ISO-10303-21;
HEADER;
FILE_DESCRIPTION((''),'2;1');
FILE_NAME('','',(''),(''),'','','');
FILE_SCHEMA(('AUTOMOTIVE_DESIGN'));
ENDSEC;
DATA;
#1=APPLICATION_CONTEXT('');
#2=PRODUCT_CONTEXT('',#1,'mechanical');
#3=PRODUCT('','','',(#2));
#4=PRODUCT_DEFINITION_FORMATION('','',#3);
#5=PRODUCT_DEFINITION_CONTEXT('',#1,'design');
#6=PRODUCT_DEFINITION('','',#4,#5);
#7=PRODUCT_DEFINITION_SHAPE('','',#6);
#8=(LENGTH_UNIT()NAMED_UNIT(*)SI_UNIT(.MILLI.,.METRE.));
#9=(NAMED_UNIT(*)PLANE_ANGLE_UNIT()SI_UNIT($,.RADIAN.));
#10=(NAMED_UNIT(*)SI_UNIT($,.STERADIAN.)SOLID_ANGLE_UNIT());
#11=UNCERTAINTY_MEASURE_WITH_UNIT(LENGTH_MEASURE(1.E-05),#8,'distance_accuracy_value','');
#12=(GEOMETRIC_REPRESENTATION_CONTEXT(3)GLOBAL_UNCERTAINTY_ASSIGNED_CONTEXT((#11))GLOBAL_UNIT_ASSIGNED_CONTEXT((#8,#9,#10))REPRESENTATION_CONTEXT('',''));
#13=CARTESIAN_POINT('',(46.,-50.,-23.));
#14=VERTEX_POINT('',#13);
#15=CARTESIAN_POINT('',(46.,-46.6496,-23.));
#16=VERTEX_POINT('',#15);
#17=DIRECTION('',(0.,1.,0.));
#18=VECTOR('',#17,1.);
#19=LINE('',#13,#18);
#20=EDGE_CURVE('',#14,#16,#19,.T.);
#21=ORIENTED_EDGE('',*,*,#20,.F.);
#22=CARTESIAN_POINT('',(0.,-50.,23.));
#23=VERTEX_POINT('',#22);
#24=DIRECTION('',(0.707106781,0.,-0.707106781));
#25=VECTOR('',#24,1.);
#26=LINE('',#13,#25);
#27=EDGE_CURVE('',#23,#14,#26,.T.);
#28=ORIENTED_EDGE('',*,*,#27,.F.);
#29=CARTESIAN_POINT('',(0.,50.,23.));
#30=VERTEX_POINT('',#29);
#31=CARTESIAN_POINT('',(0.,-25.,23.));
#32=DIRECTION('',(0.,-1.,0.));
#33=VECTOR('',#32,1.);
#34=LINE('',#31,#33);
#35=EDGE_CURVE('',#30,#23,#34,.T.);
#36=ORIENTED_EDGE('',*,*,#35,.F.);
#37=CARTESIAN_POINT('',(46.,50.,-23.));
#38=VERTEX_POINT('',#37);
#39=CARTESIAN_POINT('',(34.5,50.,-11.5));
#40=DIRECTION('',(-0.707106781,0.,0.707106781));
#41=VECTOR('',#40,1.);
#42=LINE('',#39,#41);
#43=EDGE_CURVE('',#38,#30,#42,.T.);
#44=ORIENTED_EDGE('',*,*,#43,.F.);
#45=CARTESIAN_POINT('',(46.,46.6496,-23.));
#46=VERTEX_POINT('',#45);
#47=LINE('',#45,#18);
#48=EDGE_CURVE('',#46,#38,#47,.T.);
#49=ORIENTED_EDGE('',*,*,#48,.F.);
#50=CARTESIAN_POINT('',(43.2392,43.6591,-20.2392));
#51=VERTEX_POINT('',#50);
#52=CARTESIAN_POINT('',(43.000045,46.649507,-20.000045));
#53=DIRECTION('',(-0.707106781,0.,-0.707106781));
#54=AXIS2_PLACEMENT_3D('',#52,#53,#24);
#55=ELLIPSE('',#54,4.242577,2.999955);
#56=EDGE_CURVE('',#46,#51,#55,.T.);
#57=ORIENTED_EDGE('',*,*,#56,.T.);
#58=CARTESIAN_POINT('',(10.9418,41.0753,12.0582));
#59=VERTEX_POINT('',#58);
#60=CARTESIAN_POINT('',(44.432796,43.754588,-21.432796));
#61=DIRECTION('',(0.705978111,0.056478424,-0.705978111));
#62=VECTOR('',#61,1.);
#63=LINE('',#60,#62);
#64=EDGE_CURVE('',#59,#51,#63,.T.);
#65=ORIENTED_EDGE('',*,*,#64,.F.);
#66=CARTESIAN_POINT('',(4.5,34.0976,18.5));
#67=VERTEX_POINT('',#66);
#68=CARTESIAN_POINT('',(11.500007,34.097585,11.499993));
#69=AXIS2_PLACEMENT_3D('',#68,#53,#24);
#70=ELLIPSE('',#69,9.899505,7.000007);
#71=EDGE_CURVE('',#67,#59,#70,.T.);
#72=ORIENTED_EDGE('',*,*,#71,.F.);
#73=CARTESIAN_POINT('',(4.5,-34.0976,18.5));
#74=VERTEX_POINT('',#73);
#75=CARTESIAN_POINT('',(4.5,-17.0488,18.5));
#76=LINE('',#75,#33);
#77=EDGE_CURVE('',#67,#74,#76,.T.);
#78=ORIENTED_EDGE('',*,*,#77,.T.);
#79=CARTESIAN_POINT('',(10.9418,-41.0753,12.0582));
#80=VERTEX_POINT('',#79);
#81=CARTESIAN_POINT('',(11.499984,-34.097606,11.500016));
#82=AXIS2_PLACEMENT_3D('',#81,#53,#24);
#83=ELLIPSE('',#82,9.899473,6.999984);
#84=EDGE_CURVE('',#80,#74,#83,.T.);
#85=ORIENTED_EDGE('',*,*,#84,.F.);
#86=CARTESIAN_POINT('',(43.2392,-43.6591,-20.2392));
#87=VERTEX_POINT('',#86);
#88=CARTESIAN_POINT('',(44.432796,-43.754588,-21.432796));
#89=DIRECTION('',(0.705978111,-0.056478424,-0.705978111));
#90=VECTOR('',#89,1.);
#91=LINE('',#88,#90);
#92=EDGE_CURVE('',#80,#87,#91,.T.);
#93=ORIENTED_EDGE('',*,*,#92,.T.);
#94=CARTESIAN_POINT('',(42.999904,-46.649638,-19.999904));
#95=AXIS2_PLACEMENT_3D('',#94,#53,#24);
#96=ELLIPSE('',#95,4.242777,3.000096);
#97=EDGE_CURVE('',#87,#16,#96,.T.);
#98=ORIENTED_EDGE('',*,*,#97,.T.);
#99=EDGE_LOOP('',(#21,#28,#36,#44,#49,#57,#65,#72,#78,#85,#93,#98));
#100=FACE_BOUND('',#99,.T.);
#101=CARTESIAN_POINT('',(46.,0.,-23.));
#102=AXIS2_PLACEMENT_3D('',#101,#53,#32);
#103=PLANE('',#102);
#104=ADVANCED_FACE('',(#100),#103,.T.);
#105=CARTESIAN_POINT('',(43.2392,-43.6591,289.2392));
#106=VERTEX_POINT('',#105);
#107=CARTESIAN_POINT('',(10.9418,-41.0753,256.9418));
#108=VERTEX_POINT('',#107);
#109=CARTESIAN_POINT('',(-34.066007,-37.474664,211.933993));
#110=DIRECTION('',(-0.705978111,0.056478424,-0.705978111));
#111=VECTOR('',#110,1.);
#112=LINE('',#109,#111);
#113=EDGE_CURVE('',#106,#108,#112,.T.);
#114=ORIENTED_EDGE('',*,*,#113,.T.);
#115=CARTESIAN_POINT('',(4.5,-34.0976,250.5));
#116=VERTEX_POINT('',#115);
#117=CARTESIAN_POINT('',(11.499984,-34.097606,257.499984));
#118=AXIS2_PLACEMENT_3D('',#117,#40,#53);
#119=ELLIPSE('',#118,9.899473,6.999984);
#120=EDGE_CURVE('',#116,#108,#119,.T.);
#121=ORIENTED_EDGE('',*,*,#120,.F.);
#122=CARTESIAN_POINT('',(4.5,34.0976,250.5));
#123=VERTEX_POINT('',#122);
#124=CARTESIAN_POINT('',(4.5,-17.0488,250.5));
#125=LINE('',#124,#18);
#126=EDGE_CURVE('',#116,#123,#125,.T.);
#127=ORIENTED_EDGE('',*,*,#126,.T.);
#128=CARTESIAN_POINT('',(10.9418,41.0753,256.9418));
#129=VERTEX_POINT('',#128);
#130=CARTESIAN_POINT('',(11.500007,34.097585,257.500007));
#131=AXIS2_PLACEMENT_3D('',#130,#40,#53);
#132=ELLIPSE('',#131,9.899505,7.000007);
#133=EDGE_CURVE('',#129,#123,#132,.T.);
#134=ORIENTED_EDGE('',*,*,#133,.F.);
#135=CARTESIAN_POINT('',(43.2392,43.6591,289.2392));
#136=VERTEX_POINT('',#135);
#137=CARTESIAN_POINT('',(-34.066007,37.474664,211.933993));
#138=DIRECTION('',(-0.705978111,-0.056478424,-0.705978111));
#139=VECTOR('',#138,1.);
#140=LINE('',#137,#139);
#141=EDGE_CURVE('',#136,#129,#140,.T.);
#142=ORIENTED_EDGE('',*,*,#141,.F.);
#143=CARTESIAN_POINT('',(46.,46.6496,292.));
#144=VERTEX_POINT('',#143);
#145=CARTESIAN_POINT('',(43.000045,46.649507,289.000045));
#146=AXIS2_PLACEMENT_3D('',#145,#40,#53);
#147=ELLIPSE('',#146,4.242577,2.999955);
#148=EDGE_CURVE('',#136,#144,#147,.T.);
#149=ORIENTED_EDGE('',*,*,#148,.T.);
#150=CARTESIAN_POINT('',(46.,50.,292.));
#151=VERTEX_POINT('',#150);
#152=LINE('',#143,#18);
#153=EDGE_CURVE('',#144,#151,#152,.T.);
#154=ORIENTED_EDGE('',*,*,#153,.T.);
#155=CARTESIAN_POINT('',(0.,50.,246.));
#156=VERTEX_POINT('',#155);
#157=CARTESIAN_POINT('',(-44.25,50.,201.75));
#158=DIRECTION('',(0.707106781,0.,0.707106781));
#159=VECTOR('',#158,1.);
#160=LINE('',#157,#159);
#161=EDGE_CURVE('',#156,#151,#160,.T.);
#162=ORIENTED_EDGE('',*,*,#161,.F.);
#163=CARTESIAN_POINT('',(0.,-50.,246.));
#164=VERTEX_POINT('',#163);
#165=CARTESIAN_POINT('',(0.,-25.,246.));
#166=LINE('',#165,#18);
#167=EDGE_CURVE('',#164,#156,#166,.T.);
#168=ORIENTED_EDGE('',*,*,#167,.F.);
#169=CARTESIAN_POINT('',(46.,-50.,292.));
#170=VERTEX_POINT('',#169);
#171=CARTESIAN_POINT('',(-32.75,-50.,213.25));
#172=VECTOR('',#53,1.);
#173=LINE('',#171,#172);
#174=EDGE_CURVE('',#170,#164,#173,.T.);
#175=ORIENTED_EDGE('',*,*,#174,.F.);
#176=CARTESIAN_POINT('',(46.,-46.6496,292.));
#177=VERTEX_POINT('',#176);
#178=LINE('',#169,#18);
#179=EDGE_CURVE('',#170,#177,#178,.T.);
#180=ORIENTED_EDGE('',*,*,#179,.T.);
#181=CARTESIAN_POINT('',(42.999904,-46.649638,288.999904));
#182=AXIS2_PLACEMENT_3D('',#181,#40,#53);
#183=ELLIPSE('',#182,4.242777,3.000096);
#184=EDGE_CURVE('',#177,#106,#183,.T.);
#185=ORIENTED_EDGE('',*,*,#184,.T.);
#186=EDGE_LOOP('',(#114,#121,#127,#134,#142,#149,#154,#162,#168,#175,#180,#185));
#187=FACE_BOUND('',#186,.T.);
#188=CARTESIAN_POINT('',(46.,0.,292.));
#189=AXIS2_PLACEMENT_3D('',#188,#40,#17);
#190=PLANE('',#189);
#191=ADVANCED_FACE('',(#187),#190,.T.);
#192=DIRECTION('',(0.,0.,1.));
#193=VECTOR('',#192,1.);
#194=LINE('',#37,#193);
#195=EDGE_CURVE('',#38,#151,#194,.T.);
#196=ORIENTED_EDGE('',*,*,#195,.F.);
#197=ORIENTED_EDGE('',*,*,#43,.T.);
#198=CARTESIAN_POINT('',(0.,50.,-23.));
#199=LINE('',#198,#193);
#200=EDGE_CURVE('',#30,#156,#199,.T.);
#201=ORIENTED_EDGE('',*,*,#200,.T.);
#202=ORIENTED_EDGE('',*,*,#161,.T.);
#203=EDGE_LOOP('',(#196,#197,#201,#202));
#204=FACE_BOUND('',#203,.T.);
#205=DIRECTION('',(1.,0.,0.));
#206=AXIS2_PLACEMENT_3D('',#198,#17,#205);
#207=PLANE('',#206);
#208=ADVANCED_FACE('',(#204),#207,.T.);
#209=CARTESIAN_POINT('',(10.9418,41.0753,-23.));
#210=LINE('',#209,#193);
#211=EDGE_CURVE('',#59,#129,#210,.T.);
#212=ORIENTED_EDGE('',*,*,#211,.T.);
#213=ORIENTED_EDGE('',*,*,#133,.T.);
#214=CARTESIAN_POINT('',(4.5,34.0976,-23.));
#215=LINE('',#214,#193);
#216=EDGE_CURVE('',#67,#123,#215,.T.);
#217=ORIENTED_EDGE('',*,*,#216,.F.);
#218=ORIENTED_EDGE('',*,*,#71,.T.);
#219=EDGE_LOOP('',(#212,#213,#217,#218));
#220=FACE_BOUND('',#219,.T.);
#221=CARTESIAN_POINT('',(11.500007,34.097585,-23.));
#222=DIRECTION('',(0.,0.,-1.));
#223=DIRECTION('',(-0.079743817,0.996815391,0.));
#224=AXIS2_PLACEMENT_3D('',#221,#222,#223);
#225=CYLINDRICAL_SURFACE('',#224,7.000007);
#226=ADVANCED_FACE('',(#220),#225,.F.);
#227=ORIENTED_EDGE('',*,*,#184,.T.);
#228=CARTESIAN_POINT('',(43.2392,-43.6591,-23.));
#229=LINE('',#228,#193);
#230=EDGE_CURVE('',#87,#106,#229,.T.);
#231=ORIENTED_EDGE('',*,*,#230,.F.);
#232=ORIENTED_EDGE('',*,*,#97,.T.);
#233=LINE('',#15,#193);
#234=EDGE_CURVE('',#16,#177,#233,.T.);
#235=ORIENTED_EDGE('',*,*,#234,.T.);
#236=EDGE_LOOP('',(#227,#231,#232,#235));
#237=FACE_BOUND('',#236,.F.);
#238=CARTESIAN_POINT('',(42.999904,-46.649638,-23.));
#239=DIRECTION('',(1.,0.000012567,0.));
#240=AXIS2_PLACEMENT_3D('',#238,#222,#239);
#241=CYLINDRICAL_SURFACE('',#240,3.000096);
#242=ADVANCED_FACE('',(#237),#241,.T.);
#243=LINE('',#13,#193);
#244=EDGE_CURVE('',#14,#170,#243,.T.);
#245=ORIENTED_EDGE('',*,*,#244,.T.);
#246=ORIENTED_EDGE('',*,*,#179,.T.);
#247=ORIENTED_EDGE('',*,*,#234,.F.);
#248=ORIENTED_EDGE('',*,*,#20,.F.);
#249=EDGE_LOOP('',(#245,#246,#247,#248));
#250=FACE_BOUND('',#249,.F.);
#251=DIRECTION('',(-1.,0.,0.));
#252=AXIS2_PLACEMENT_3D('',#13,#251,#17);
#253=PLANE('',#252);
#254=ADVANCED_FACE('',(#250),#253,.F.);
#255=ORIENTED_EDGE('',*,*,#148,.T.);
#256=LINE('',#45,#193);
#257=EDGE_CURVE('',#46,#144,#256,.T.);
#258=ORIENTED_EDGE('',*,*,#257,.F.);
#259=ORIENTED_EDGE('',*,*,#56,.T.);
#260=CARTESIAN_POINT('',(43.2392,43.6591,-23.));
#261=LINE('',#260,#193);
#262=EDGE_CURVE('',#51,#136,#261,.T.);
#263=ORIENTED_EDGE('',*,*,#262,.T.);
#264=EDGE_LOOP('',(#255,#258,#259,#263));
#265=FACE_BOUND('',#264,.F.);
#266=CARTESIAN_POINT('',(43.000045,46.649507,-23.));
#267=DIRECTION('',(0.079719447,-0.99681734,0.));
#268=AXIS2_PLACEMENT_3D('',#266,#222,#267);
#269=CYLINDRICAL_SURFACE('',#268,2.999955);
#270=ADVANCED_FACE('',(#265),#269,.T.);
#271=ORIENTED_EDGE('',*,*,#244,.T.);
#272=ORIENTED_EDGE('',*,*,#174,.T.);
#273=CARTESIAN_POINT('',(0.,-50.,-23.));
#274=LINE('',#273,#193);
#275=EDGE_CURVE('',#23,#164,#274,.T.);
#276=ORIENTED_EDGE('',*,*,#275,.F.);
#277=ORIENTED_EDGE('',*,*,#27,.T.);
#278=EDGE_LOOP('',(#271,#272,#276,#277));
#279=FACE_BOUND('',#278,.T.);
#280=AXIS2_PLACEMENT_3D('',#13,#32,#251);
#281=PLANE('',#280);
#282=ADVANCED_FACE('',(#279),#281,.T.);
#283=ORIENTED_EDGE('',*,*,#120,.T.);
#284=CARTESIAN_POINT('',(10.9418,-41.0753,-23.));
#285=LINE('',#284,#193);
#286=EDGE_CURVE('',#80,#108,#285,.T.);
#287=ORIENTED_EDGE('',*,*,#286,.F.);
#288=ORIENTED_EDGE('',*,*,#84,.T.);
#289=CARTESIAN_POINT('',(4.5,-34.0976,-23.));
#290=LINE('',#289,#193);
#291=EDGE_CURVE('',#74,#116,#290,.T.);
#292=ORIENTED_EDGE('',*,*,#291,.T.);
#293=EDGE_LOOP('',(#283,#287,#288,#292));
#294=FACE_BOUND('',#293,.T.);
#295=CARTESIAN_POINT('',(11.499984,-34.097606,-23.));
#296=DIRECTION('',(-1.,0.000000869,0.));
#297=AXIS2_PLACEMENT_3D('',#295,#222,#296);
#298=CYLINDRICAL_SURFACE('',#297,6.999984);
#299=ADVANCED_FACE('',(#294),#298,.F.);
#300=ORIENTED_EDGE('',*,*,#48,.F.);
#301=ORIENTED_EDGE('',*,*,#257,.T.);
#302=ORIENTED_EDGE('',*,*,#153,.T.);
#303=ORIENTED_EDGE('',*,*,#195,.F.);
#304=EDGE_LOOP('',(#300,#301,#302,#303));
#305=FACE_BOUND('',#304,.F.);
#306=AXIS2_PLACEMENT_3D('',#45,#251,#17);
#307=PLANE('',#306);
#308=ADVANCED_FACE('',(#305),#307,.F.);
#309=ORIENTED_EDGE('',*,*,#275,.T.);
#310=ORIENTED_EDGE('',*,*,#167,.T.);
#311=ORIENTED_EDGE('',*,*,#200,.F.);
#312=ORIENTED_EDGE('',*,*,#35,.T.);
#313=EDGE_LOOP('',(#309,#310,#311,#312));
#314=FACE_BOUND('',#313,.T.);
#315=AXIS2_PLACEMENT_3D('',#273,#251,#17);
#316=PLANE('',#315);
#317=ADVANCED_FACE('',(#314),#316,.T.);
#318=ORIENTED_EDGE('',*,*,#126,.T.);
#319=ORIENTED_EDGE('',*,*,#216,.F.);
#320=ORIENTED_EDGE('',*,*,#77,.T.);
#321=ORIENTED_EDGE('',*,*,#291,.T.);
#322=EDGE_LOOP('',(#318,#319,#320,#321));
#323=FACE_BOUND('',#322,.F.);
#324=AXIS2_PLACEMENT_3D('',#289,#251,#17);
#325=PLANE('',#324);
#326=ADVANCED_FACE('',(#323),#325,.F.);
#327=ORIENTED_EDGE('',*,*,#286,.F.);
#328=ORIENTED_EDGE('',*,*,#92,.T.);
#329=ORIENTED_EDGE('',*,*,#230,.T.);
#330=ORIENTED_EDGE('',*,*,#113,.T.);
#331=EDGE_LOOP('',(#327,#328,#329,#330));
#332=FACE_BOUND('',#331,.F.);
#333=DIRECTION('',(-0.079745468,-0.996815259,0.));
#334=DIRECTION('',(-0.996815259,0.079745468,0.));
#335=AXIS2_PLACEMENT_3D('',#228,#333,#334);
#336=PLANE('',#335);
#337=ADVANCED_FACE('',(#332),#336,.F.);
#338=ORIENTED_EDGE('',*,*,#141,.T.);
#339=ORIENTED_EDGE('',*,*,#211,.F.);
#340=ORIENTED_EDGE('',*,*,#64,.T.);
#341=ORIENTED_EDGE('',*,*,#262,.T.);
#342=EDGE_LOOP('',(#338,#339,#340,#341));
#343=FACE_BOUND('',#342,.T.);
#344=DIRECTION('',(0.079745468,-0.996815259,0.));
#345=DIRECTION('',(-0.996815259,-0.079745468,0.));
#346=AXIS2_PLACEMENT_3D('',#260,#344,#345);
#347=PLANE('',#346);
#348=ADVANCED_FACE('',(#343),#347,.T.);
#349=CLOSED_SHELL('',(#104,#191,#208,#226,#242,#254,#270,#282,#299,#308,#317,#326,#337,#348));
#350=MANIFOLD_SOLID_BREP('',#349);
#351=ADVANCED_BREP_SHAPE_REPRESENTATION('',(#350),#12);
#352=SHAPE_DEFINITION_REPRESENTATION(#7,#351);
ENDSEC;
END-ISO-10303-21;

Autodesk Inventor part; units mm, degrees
ref_plane "Начальная плоскость" through (0, 0, -23) normal (0, 0, 1) x (1, 0, 0)
ref_plane "Конечная плоскость" through (0, 0, 292) normal (0, 0, 1) x (1, 0, 0)
sketch "Эскиз" plane through (0, 0, 0) normal (0, 0, 1) x (1, 0, 0)
  line L0 (46, -50) -> (0, -50)
  line L1 (46, -50) -> (46, -46.6496)
  line L2 (43.2392, -43.6591) -> (10.9418, -41.0753)
  line L3 (4.5, -34.0976) -> (4.5, 34.0976)
  line L4 (43.2392, 43.6591) -> (10.9418, 41.0753)
  line L5 (46, 46.6496) -> (46, 50)
  line L6 (0, 50) -> (46, 50)
  line L7 (0, -50) -> (0, 50)
  arc A0 (4.5, -34.0976) -> (10.9418, -41.0753) centre (11.5, -34.0976) ccw
  arc A1 (10.9418, 41.0753) -> (4.5, 34.0976) centre (11.5, 34.0976) ccw
  arc A2 (46, -46.6496) -> (43.2392, -43.6591) centre (43, -46.6496) ccw
  arc A3 (43.2392, 43.6591) -> (46, 46.6496) centre (43, 46.6496) ccw
  line L8 (0, 70) -> (0, -70) construction
  line L9 (-9.3169, 0) -> (55.9016, 0) construction
  point P0 (46, -43.88)
  point P1 (4.5, -40.56)
  point P2 (4.5, 40.56)
  point P3 (46, 43.88)
  dimension "d3" = 46
  dimension "d5" = 4.5
  dimension "d7" = 100
  dimension "d9" = 9.44
  dimension "d11" = 9.44
  dimension "d13" = 6.12
  dimension "d15" = 6.12
  dimension "d22" = 7
  dimension "d23" = 3
  dimension "d24" = 50
  dimension "d25" = 0
extrude "Тело" add sketch "Эскиз" along normal up to surface (315 mm away) from surface at -23
sketch "Sketch3" plane through (0, 0, 0) normal (0, 0, 1) x (1, 0, 0)
  line L0 (0, 0) -> (10, 0)
ref_plane "Work Plane7" through (0, 0, 0) normal (0, -1, 0) x (1, 0, 0)
sketch "Sketch4" plane through (0, 0, 0) normal (0, -1, 0) x (1, 0, 0)
  line L0 (-2, -23) -> (12, -23)
  line L1 (-2, 292) -> (12, 292)
  dimension "d29" = 315
ref_plane "РабПлоскость8" through (46, 0, 292) normal (-0.7071, 0, 0.7071) x (0.7071, 0, 0.7071)
split "Разделение1" plane through (46, 0, 292) removes the side toward (-0.7071, 0, 0.7071)
ref_plane "РабПлоскость9" through (46, 0, -23) normal (-0.7071, 0, -0.7071) x (-0.7071, 0, 0.7071)
split "Разделение2" plane through (46, 0, -23) removes the side toward (-0.7071, 0, -0.7071)
equation "\"d3\" = b"
equation "\"d5\" = t1"
equation "\"d7\" = ParH"
equation "\"d9\" = msp_x1 + t2"
equation "\"d11\" = msp_x1 + t2"
equation "\"d13\" = -msp_x2 + t2"
equation "\"d15\" = -msp_x2 + t2"
equation "\"d22\" = R"
equation "\"d23\" = R1"
equation "\"d24\" = 0.5 * d7"
equation "\"d16\" = G_L"
equation "\"R1\" = 3"
equation "\"R\" = 7"
equation "\"t1\" = 4.5"
equation "\"t2\" = 7.6"
equation "\"ParH\" = 100"
equation "\"b\" = 46"
equation "\"msp_x1\" = 0.04 * b"
equation "\"msp_x2\" = -0.08 * t1 + 0.04 * b"
equation "\"G_L\" = d29"
equation "\"ex\" = 0"
equation "\"G_OFFSET_START\" = 23"
equation "\"G_OFFSET_END\" = 23"
equation "\"d26\" = -G_OFFSET_START"
equation "\"d27\" = G_OFFSET_END + B_L"
equation "\"B_L\" = 269"
properties part number "Швеллер 10U-315 ГОСТ 8240-97" material "Сталь, мягкая"
